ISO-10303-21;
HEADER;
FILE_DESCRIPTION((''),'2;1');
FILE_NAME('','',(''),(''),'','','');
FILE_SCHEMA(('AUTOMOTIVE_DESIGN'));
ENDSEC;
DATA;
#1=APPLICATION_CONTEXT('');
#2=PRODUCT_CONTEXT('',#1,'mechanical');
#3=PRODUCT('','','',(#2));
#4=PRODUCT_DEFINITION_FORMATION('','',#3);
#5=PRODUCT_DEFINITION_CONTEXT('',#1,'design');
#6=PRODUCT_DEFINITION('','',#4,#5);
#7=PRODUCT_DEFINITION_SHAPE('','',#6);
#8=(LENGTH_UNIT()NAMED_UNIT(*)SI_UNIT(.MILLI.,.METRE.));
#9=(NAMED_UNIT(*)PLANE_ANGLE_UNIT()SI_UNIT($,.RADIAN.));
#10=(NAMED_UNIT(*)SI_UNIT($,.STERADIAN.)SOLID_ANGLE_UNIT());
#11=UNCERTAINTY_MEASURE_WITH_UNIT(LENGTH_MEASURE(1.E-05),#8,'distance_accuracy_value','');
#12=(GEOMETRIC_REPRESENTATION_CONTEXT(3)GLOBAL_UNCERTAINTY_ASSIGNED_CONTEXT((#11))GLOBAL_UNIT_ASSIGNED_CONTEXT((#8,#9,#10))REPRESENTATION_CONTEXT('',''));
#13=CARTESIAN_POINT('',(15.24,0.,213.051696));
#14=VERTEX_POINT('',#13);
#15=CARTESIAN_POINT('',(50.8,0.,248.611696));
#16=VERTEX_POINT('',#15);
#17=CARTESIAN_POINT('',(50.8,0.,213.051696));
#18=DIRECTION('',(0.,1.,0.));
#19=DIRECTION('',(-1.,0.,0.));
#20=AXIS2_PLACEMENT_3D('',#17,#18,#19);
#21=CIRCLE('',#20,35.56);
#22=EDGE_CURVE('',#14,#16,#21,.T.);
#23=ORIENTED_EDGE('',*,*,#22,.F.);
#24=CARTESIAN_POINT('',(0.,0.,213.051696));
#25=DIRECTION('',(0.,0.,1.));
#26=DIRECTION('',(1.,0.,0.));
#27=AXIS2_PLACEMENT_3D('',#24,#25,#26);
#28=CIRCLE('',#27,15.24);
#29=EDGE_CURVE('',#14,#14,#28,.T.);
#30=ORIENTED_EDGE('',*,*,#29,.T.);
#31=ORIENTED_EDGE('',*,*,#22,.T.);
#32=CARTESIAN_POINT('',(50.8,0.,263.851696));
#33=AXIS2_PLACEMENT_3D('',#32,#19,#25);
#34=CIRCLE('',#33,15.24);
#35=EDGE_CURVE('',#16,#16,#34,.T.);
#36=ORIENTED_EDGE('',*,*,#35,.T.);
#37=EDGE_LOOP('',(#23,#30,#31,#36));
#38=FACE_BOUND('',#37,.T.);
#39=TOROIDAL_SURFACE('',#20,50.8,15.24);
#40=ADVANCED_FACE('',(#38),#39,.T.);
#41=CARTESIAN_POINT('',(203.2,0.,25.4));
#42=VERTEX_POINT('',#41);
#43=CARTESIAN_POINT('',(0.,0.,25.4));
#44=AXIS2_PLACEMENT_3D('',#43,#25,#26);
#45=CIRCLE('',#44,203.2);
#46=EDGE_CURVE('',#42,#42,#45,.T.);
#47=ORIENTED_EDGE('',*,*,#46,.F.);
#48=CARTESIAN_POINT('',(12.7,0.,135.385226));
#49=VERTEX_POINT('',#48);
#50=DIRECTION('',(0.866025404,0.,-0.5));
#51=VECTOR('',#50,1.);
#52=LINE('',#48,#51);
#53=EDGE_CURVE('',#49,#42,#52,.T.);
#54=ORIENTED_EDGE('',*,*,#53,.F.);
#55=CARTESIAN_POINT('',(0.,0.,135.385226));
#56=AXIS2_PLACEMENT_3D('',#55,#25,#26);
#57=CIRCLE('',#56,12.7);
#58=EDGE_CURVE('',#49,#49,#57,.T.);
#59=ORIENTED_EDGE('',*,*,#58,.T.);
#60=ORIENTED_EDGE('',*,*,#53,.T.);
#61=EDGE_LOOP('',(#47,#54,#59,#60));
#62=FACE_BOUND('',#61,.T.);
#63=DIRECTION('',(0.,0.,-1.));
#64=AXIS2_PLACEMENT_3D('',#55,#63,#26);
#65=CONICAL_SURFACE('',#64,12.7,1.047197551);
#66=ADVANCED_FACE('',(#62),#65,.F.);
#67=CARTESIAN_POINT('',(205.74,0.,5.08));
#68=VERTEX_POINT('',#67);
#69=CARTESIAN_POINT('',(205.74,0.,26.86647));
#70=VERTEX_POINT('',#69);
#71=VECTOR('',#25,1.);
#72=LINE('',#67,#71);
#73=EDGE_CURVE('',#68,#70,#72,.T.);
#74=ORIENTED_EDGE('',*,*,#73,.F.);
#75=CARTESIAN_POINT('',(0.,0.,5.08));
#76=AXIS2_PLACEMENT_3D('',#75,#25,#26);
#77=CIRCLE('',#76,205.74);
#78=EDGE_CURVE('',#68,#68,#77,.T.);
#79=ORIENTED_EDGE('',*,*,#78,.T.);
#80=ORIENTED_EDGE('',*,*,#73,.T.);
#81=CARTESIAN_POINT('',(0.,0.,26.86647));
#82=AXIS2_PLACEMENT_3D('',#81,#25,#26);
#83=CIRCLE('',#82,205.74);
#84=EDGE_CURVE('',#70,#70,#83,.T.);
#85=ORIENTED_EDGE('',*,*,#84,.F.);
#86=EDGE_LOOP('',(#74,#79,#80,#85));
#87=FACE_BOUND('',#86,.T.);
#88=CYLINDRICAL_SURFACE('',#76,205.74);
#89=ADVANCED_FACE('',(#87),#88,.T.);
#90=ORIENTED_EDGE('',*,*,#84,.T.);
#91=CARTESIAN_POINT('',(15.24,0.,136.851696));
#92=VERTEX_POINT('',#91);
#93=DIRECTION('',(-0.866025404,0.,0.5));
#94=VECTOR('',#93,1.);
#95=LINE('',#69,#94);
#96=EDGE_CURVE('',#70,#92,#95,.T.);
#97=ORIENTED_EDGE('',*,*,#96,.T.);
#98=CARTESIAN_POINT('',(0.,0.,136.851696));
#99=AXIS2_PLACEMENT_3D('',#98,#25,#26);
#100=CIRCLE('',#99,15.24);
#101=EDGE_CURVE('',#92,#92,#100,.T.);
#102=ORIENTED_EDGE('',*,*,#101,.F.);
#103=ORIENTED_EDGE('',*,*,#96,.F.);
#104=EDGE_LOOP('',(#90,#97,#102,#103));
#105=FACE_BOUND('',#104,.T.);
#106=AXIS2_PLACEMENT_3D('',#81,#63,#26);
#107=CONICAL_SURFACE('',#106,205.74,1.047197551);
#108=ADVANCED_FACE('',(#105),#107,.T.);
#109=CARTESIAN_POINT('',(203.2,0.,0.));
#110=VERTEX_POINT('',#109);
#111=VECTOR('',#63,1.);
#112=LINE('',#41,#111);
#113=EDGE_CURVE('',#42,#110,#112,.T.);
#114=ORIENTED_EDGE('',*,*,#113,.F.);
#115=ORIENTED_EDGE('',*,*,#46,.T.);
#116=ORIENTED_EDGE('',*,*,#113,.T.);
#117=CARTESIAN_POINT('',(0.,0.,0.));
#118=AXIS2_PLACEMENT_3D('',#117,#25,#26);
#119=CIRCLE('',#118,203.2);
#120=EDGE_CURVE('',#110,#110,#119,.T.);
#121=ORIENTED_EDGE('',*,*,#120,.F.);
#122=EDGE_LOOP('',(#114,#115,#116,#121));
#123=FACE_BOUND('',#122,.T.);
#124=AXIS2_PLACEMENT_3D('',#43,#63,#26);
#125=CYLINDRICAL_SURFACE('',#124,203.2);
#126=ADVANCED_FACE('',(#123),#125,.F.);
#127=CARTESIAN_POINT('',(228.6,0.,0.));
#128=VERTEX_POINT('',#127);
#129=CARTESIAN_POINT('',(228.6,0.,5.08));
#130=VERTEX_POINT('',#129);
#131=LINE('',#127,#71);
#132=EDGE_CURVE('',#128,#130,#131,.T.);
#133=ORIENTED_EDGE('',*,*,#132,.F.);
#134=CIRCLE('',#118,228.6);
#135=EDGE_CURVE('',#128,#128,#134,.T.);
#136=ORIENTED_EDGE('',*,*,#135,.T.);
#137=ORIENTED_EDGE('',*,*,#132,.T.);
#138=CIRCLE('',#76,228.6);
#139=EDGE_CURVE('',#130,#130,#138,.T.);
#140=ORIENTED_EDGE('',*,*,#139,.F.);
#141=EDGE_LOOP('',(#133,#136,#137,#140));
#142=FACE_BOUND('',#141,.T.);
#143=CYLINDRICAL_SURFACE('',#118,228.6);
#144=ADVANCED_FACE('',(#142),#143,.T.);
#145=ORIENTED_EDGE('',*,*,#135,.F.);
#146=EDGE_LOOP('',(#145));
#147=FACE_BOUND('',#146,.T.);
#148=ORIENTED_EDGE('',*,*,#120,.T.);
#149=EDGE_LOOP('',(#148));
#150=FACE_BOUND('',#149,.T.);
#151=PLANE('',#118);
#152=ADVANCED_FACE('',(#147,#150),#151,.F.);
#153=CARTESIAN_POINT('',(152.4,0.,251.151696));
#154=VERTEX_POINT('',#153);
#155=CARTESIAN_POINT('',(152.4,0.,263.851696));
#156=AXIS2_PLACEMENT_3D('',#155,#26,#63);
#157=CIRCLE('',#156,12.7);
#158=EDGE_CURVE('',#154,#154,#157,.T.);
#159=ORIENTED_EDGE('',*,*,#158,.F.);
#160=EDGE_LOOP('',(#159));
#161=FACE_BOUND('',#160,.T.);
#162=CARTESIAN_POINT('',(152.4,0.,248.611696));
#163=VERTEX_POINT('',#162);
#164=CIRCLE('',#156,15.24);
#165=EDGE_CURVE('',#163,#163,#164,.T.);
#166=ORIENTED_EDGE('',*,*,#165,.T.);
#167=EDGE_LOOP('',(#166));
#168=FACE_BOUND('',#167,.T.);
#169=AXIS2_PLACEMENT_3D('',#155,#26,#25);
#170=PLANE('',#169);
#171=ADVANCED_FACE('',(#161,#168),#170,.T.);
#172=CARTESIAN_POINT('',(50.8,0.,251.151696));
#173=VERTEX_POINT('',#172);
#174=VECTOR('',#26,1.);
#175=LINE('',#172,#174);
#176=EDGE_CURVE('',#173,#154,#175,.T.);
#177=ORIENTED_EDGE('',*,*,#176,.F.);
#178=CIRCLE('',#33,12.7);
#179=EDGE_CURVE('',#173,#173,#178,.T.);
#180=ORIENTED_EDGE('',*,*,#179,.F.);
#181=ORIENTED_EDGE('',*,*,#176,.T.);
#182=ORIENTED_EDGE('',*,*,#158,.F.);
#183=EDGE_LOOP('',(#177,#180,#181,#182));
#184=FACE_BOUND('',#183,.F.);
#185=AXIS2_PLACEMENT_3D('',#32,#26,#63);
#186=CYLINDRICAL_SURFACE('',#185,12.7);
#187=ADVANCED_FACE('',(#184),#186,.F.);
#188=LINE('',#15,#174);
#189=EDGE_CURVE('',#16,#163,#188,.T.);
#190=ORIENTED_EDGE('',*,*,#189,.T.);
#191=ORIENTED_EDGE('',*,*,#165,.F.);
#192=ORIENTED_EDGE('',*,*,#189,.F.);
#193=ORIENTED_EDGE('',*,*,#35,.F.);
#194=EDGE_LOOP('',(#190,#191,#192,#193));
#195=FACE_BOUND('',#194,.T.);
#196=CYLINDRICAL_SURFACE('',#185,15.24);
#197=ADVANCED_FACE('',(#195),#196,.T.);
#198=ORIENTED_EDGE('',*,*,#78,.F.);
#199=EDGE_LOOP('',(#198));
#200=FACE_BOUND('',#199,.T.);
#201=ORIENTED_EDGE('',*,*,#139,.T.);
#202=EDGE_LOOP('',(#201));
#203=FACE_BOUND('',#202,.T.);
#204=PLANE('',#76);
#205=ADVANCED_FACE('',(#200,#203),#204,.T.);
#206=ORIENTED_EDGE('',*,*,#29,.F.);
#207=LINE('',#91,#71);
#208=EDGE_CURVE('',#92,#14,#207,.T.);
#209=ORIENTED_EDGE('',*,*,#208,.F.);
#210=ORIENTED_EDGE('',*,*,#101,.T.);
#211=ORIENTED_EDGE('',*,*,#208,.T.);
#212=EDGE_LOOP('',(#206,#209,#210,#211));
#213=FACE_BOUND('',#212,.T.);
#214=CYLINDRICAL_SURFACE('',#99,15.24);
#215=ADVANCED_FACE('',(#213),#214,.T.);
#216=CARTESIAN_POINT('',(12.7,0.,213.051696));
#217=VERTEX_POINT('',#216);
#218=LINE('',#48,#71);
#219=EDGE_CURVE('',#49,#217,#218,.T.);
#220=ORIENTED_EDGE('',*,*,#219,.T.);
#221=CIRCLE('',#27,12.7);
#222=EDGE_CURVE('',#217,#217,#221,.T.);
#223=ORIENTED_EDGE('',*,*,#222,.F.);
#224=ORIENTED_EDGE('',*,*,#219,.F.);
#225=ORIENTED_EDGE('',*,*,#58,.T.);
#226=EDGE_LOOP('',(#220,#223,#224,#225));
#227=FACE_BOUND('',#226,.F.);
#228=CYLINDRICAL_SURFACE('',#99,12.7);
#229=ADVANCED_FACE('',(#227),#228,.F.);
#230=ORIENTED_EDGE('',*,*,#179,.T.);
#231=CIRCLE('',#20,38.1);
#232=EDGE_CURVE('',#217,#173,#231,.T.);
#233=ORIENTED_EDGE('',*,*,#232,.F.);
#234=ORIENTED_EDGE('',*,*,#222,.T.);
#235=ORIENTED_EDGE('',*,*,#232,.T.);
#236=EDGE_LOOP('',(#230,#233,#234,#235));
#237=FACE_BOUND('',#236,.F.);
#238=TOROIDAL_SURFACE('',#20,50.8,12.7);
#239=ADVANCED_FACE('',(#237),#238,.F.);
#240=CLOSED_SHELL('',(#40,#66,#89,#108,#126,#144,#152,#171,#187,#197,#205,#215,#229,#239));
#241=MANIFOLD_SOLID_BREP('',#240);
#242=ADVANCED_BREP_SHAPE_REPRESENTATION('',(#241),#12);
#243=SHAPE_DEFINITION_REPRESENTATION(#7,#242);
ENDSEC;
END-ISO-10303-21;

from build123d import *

# Parameters (mm, degrees)
F1_FACE_R   = 15.24
F1_FACE_R_2 = 12.7


with BuildPart() as f1:
    # F0 (on Front) → F1 (revolve)
    with BuildSketch(Plane.XZ):
        Polygon((203.2, 25.4), (203.2, 0), (228.6, 0), (228.6, 5.08), (205.74, 5.08), (205.74, 26.8664696837), (15.24, 136.8516959644), (12.7, 136.8516959644), (12.7, 135.3852262806), align=None)
    revolve(axis=Axis((0, 0, 47.617843118), (0, 0, 1)))

    # F3: sweep along a path in F2
    with BuildLine(Plane.XZ) as f3_path:
        Line((0, 136.8516959644), (0, 213.0516959644))
        ThreePointArc((0, 213.0516959644), (14.8789755157, 248.9727204486), (50.8, 263.8516959644))
        Line((50.8, 263.8516959644), (152.4, 263.8516959644))
    # F1_face (on face) → F3 (sweep)
    with BuildSketch(Plane.XY.offset(136.8516959644)):
        Circle(F1_FACE_R)
        Circle(F1_FACE_R_2, mode=Mode.SUBTRACT)
    sweep(path=f3_path.line)


solid = f1.part
